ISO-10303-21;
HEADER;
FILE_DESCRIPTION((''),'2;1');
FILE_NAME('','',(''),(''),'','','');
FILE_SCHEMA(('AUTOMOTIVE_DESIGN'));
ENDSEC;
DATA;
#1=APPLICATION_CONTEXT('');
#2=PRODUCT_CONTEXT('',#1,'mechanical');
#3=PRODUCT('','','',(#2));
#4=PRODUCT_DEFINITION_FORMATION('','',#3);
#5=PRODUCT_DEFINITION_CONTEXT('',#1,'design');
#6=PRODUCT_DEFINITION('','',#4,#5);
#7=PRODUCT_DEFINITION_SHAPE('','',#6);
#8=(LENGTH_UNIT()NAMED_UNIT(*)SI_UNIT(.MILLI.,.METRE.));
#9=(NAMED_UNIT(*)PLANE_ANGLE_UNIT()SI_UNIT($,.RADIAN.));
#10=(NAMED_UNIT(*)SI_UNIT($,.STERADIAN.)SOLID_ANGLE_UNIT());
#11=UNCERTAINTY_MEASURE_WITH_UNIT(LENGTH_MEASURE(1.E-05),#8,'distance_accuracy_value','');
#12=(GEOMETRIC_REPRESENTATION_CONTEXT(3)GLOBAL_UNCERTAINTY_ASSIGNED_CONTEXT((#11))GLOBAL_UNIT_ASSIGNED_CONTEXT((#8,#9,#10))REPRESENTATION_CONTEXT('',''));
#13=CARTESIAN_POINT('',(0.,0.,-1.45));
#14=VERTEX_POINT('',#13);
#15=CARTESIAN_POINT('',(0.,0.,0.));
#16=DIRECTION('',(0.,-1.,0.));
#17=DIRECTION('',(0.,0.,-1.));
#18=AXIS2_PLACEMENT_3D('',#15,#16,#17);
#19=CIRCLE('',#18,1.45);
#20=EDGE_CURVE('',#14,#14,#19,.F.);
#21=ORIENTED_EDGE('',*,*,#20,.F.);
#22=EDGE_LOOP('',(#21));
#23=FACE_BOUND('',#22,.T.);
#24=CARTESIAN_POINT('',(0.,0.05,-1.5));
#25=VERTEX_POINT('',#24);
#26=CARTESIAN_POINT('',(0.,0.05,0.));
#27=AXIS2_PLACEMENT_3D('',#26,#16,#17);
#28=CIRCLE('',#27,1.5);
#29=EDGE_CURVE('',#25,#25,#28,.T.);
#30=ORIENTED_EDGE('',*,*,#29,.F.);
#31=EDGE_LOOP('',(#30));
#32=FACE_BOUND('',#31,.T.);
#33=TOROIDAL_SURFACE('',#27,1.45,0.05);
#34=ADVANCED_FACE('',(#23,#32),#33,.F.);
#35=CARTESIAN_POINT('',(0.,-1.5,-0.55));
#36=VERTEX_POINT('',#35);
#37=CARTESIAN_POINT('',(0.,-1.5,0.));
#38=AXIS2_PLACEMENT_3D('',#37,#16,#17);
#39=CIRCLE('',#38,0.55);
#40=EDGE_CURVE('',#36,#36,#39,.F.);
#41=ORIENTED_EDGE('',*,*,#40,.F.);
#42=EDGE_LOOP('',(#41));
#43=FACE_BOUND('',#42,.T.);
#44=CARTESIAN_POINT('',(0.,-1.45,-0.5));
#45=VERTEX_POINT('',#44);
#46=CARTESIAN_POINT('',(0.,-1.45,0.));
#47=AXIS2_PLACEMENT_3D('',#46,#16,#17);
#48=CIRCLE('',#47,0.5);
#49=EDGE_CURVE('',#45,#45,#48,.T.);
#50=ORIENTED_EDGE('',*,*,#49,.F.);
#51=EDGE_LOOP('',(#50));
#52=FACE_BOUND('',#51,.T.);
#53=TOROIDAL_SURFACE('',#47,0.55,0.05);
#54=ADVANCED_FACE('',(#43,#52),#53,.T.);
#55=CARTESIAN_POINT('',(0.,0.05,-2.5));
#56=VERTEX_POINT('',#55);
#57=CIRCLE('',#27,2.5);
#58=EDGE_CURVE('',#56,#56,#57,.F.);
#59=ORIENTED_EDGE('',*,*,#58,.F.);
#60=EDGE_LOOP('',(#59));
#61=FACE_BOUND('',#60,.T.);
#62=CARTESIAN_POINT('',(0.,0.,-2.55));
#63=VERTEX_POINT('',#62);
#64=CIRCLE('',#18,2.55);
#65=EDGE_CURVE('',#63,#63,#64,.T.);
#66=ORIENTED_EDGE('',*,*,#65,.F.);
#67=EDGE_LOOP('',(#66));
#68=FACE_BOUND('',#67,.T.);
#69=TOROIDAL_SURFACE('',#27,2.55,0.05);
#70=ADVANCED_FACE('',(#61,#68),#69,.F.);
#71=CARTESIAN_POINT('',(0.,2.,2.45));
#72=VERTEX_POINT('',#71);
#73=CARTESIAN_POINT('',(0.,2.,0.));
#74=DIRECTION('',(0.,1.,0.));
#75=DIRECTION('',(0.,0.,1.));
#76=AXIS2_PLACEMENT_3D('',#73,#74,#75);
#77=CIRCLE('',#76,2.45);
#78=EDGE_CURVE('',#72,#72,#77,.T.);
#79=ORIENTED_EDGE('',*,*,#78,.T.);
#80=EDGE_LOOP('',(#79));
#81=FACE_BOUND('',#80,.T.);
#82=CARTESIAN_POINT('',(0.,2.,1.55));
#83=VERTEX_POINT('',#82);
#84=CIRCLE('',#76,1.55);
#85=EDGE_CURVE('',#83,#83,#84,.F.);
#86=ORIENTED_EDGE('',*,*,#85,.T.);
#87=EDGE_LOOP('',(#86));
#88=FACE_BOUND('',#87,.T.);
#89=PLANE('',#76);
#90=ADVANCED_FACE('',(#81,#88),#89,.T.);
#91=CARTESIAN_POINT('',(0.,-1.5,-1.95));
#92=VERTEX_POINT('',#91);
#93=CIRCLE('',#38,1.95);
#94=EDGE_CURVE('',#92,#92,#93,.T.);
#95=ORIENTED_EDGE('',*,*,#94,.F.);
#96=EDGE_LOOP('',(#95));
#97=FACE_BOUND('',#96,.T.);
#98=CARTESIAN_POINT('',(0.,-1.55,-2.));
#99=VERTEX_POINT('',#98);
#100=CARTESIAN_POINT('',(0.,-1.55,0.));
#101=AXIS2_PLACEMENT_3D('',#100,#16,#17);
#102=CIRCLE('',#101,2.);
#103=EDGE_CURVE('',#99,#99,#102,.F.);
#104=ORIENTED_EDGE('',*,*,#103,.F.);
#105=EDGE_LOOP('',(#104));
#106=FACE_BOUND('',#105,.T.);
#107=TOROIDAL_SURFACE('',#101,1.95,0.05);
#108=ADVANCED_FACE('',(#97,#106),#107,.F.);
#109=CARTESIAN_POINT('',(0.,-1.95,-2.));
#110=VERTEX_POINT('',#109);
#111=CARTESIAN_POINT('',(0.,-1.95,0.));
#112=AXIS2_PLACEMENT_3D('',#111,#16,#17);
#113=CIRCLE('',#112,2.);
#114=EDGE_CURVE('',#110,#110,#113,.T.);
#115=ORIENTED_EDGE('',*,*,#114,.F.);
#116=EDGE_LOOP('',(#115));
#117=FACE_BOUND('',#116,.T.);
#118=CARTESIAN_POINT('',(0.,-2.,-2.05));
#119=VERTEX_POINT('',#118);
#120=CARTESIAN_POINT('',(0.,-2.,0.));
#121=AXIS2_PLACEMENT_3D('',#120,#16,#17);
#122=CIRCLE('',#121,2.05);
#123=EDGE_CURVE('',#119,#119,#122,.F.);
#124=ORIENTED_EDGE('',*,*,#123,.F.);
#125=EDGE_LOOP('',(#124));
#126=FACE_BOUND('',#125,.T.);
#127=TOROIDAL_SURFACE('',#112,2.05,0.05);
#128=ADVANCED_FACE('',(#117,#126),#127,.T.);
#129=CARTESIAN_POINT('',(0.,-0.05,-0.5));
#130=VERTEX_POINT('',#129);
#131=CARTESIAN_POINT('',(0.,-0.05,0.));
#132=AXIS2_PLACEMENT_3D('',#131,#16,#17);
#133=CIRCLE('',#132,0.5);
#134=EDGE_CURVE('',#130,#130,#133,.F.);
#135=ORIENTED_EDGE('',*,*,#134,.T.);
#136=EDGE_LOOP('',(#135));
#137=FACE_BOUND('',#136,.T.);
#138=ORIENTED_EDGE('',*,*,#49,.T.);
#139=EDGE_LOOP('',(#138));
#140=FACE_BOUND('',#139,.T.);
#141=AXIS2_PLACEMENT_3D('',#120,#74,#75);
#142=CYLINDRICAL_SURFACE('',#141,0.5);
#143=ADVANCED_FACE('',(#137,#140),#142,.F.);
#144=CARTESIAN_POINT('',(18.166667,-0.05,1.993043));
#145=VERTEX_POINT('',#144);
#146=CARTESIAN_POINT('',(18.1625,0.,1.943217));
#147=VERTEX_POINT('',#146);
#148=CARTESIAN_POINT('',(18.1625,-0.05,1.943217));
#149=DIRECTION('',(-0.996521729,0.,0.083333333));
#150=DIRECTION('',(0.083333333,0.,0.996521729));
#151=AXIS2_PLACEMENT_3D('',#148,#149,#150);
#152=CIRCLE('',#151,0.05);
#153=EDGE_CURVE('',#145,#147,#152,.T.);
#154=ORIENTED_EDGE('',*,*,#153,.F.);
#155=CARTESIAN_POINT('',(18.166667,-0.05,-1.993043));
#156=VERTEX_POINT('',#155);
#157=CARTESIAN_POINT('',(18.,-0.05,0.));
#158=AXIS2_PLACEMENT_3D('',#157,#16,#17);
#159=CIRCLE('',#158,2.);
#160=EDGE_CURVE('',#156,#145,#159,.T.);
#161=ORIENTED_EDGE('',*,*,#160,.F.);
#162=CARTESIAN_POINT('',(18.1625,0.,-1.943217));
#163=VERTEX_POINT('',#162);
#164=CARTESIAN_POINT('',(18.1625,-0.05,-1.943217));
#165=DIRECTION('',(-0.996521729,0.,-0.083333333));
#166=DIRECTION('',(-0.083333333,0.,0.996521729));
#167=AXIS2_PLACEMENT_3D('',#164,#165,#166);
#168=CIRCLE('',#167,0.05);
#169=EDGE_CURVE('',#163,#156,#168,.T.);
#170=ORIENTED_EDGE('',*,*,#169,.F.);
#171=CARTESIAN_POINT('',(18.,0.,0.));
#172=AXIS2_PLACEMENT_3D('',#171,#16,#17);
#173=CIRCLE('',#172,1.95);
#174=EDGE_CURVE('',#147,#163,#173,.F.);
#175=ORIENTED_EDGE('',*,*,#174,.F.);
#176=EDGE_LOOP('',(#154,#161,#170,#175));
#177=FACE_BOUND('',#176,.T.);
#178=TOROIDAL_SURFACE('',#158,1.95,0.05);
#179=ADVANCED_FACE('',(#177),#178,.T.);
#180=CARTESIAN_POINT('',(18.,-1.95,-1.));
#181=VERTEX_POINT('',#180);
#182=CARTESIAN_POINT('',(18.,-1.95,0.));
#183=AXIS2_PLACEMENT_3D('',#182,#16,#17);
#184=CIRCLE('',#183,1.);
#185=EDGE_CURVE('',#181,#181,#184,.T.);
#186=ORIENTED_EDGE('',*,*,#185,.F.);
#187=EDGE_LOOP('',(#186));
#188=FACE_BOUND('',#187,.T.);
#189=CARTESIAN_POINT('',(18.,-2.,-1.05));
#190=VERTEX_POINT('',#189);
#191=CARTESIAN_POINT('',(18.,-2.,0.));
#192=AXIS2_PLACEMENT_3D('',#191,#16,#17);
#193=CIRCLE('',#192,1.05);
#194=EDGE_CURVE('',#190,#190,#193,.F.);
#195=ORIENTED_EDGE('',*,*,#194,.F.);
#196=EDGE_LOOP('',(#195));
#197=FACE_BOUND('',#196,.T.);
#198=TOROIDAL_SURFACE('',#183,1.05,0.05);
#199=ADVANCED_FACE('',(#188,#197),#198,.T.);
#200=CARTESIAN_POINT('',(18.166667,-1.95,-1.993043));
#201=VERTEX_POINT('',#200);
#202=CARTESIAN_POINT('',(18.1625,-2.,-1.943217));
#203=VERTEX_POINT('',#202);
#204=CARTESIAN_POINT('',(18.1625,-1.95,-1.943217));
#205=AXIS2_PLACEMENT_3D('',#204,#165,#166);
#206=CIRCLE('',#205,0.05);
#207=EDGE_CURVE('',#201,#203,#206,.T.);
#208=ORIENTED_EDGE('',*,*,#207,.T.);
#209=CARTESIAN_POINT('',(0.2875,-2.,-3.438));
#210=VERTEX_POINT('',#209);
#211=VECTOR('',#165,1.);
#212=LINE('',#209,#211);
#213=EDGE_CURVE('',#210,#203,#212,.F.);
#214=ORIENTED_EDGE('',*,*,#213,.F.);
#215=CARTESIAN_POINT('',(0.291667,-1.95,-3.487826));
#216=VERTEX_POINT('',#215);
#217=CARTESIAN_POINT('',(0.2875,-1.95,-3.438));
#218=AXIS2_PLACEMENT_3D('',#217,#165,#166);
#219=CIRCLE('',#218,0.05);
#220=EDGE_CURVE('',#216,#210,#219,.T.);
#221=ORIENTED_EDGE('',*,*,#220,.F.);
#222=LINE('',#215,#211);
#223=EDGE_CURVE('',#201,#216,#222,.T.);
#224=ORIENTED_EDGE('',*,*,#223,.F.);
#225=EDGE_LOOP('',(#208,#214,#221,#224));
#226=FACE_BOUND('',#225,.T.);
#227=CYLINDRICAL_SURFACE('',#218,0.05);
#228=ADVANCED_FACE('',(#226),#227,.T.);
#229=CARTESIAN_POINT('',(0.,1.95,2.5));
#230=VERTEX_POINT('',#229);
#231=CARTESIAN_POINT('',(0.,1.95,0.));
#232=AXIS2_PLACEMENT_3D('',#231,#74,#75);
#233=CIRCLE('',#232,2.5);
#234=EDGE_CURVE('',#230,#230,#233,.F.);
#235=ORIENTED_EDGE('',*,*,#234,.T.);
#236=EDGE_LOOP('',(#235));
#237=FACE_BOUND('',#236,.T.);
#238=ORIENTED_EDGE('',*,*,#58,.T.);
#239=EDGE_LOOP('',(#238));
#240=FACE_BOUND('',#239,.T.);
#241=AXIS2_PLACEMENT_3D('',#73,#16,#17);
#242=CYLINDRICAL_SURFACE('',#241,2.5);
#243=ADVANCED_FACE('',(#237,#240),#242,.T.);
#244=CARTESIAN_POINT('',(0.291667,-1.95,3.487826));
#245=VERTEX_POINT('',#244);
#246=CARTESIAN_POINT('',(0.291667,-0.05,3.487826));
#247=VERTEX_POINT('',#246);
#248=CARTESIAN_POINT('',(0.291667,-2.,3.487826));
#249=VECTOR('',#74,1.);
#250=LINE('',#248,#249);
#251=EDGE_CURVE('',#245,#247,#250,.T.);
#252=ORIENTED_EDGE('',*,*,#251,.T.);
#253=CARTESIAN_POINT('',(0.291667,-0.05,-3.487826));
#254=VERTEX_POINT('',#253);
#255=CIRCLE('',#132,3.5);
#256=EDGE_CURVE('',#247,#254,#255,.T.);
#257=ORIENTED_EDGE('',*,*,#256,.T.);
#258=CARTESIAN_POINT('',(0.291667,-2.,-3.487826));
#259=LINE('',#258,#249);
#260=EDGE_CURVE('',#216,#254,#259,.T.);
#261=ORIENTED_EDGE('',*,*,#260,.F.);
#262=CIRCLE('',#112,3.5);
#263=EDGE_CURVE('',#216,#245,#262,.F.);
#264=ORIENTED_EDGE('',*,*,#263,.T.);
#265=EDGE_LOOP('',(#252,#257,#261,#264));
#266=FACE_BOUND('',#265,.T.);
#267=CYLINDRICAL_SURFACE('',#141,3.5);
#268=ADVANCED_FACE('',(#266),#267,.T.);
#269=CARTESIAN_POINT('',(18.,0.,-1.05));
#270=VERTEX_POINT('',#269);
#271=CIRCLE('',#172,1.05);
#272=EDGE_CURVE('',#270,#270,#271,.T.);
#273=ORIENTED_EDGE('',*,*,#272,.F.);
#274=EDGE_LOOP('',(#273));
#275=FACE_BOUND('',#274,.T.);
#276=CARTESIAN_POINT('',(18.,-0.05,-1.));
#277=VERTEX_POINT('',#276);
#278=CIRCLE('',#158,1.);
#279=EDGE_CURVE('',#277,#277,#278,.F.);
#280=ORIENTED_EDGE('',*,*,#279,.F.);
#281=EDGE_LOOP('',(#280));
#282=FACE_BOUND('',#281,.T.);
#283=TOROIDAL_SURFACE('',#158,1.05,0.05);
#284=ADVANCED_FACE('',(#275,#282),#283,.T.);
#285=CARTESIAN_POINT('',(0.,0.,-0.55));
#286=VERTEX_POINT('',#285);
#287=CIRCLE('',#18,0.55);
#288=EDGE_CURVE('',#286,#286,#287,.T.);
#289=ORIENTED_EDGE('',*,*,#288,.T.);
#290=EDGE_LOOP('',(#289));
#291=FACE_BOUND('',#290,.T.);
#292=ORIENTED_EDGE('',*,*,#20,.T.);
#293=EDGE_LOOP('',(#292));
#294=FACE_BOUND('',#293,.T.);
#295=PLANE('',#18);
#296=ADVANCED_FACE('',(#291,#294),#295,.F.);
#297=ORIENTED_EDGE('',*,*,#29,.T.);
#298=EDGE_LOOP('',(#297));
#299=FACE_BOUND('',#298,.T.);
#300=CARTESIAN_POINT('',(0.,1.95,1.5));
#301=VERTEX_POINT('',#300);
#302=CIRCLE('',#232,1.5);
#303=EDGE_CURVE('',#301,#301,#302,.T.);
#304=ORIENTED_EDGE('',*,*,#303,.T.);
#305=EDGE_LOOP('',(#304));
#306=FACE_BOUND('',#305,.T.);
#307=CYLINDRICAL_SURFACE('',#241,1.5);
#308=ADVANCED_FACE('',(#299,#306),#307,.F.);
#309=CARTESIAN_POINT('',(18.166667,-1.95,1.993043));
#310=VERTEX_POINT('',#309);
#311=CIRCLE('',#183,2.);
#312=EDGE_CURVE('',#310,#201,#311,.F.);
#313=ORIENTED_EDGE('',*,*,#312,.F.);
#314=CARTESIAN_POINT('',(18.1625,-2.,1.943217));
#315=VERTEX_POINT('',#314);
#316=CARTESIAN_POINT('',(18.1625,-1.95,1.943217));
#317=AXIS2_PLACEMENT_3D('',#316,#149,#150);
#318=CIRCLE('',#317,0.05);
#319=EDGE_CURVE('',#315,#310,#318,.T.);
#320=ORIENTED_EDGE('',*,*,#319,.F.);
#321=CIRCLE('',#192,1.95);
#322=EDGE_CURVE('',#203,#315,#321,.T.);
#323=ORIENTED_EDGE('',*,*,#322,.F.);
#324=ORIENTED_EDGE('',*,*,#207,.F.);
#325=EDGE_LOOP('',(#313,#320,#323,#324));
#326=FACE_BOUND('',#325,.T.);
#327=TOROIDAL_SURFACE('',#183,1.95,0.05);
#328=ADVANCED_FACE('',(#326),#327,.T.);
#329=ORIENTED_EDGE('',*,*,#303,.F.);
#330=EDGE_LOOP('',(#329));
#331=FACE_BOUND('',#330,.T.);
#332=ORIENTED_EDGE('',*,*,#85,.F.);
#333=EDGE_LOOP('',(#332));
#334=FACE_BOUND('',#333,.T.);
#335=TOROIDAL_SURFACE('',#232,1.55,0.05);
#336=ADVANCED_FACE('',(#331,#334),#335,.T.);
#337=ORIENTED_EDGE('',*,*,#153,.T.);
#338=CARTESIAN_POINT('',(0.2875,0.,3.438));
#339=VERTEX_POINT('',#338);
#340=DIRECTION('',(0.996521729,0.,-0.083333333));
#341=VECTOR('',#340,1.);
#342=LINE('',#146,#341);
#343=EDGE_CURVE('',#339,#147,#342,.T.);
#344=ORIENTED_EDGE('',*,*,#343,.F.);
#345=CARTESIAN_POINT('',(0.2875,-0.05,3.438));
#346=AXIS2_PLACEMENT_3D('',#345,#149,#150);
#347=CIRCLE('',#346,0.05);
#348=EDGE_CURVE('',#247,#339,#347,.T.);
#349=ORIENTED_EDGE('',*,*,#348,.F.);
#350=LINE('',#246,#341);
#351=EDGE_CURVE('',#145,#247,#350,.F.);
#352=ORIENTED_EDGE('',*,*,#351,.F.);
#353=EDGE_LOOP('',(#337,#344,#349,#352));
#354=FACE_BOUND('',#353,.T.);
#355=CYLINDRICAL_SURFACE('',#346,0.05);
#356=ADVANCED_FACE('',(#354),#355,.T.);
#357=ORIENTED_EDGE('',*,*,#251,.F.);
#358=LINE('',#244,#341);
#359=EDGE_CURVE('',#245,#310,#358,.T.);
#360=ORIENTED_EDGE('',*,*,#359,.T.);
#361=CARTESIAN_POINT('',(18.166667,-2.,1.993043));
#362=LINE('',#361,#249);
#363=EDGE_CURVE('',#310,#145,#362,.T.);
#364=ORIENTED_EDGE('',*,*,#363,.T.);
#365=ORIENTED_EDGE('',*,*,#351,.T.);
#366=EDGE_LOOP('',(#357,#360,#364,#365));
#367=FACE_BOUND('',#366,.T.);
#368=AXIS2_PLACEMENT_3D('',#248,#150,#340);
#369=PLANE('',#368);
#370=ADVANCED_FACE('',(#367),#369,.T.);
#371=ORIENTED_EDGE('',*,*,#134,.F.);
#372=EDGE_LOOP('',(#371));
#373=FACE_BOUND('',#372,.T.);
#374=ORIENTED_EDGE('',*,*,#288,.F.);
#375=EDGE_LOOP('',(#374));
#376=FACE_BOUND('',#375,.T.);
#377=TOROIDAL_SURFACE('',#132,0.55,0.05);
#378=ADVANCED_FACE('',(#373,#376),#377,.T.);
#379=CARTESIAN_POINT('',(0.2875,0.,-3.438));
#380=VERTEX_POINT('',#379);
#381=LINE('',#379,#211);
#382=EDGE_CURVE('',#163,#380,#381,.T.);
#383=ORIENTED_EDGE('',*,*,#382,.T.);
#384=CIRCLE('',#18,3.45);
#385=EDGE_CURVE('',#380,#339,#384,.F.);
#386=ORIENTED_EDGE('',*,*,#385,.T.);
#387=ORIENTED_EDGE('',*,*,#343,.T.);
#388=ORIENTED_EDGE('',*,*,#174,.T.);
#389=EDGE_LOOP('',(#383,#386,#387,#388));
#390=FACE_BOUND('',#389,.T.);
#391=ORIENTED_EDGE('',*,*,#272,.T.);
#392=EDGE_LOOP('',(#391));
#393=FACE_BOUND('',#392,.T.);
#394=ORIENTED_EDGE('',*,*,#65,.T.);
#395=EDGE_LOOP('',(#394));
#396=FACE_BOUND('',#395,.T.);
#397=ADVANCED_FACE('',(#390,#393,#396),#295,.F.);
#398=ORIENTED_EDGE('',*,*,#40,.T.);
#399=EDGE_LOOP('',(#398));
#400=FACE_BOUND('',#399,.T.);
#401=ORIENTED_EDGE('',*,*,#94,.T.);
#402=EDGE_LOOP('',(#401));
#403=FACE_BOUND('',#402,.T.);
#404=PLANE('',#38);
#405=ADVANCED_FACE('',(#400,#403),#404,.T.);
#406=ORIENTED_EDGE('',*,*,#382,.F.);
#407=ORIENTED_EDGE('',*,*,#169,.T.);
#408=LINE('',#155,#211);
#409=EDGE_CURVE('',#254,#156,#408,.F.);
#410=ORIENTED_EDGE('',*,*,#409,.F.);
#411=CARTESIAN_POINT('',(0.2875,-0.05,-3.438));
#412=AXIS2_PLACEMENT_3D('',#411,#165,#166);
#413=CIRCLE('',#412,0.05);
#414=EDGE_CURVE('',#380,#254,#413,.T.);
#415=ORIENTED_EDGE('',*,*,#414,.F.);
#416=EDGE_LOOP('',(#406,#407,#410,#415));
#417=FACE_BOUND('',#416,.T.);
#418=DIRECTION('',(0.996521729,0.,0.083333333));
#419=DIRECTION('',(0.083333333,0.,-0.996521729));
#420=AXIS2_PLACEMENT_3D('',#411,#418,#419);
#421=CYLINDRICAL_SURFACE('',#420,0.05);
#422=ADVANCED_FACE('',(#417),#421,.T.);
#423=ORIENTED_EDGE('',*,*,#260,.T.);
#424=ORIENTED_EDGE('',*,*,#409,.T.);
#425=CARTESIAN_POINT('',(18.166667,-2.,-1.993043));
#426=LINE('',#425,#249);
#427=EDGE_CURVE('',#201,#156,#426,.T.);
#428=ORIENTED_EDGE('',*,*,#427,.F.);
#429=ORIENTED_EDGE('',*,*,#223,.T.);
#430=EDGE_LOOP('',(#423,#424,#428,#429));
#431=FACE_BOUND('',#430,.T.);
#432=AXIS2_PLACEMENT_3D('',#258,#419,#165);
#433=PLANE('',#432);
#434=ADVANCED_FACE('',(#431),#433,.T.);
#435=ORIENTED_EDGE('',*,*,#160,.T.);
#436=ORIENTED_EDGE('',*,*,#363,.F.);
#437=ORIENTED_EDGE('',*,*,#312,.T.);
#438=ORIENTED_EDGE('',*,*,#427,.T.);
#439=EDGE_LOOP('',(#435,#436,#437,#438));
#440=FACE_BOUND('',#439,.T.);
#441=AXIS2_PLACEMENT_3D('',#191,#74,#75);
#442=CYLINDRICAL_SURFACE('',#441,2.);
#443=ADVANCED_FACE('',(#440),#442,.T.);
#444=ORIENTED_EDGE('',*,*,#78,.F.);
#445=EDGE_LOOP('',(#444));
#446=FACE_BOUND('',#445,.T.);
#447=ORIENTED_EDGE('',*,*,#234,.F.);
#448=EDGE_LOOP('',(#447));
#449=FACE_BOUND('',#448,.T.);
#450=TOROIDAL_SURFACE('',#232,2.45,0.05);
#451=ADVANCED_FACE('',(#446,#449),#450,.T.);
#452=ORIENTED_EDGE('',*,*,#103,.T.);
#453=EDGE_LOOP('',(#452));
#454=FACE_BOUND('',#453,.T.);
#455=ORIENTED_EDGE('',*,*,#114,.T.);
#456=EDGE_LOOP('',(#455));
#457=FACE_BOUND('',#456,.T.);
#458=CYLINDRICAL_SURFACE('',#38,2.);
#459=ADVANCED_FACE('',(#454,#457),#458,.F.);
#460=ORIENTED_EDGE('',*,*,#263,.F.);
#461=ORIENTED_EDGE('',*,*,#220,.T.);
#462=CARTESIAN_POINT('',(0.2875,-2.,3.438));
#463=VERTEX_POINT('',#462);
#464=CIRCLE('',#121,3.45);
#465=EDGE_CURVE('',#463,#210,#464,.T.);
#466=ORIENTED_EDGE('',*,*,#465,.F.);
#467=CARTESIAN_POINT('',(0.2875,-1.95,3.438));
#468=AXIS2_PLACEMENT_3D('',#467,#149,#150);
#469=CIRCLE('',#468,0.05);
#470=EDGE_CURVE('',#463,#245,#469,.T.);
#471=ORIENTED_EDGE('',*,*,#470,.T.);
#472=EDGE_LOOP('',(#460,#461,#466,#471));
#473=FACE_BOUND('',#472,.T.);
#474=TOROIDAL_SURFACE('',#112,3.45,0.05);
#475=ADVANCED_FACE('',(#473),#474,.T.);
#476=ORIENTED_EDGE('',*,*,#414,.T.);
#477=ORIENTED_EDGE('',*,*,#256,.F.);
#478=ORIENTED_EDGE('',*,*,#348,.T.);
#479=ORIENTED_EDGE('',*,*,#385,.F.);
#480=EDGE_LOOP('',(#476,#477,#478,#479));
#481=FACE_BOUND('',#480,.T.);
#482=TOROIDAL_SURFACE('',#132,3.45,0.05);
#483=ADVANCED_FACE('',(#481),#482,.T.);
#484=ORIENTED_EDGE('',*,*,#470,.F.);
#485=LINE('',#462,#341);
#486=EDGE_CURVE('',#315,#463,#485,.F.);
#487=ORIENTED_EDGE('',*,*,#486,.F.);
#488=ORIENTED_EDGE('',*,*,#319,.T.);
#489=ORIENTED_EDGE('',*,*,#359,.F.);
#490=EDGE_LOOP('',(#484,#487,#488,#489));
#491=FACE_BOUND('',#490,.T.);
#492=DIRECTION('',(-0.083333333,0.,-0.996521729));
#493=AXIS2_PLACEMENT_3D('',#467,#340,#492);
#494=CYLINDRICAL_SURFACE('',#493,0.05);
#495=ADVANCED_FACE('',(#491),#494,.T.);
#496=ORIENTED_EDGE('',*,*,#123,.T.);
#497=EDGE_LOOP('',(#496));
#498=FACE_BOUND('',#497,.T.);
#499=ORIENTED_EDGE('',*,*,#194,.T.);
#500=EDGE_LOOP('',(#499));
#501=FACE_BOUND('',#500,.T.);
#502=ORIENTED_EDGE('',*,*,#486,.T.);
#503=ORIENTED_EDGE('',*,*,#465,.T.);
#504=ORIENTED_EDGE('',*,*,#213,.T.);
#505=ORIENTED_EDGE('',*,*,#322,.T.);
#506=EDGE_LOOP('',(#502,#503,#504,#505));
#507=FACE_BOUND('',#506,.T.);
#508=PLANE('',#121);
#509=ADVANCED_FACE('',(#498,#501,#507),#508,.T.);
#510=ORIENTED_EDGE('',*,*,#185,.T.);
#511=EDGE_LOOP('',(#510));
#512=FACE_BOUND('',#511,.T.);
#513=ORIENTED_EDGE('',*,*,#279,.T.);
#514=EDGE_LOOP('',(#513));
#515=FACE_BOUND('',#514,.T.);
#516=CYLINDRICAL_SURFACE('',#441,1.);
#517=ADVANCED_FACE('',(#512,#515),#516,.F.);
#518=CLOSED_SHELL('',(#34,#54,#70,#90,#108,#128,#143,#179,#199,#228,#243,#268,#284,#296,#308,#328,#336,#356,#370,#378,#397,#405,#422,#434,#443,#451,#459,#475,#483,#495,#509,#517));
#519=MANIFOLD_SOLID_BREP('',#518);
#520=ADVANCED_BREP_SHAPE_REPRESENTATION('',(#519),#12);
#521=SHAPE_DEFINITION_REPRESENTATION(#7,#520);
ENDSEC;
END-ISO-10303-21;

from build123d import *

# Parameters (mm, degrees)
SKETCH1_R           = 2.5
SKETCH1_R_2         = 1.5
BOSS_EXTRUDE1_DEPTH = 2
SKETCH2_R           = 1
SKETCH2_R_2         = 0.5
BOSS_EXTRUDE2_DEPTH = 2
CUT_EXTRUDE1_START  = -0.5
SKETCH3_R           = 2
SKETCH3_R_2         = 0.5
CUT_EXTRUDE1_DEPTH  = 0.5
FILLET1_R           = 0.05


with BuildPart() as part:
    # Sketch1 → Boss-Extrude1 (new body)
    with BuildSketch(Plane(origin=(0, 0, 0), x_dir=(1, 0, 0), z_dir=(0, 1, 0))):
        with Locations(Location((0, 0, 0), (0, 0, 270))):
            Circle(SKETCH1_R)
        with Locations(Location((0, 0, 0), (0, 0, 270))):
            Circle(SKETCH1_R_2, mode=Mode.SUBTRACT)
    extrude(amount=BOSS_EXTRUDE1_DEPTH)

    # Sketch2 → Boss-Extrude2 (add)
    with BuildSketch(Plane(origin=(0, 0, 0), x_dir=(1, 0, 0), z_dir=(0, 1, 0))):
        with BuildLine():
            Line((0.291666667, 3.48782605), (18.166666667, 1.993043457))
            ThreePointArc((18.166666667, 1.993043457), (20, 0), (18.166666667, -1.993043457))
            Line((18.166666667, -1.993043457), (0.291666667, -3.48782605))
            ThreePointArc((0.291666667, -3.48782605), (-3.5, 0), (0.291666667, 3.48782605))
        make_face()
        with Locations(Location((18, 0, 0), (0, 0, 270))):
            Circle(SKETCH2_R, mode=Mode.SUBTRACT)
        with Locations(Location((0, 0, 0), (0, 0, 270))):
            Circle(SKETCH2_R_2, mode=Mode.SUBTRACT)
    extrude(amount=-BOSS_EXTRUDE2_DEPTH)

    # Sketch3 → Cut-Extrude1 (cut)
    with BuildSketch(Plane.XZ.offset(2).offset(CUT_EXTRUDE1_START)):
        with Locations(Location((0, 0, 0), (0, 0, 270))):
            Circle(SKETCH3_R)
        with Locations(Location((0, 0, 0), (0, 0, 90))):
            Circle(SKETCH3_R_2, mode=Mode.SUBTRACT)
    extrude(amount=CUT_EXTRUDE1_DEPTH, mode=Mode.SUBTRACT)

    # Fillet1
    fillet1_edges = [part.edges().sort_by_distance(p)[0] for p in [
        (0, 0, -2.5),
        (-3.5, -2, 0),
        (9.229166667, -2, -2.740434754),
        (20, -2, 0),
        (9.229166667, -2, 2.740434754),
        (18, -2, -1),
        (-3.5, 0, 0),
        (9.229166667, 0, 2.740434754),
        (20, 0, 0),
        (9.229166667, 0, -2.740434754),
        (18, 0, -1),
        (0, 0, -0.5),
        (0, -1.5, 2),
        (0, -1.5, -0.5),
        (0, -2, 2),
        (0, 2, -2.5),
        (0, 0, -1.5),
        (0, 2, -1.5),
    ]]
    fillet(fillet1_edges, radius=FILLET1_R)


solid = part.part
